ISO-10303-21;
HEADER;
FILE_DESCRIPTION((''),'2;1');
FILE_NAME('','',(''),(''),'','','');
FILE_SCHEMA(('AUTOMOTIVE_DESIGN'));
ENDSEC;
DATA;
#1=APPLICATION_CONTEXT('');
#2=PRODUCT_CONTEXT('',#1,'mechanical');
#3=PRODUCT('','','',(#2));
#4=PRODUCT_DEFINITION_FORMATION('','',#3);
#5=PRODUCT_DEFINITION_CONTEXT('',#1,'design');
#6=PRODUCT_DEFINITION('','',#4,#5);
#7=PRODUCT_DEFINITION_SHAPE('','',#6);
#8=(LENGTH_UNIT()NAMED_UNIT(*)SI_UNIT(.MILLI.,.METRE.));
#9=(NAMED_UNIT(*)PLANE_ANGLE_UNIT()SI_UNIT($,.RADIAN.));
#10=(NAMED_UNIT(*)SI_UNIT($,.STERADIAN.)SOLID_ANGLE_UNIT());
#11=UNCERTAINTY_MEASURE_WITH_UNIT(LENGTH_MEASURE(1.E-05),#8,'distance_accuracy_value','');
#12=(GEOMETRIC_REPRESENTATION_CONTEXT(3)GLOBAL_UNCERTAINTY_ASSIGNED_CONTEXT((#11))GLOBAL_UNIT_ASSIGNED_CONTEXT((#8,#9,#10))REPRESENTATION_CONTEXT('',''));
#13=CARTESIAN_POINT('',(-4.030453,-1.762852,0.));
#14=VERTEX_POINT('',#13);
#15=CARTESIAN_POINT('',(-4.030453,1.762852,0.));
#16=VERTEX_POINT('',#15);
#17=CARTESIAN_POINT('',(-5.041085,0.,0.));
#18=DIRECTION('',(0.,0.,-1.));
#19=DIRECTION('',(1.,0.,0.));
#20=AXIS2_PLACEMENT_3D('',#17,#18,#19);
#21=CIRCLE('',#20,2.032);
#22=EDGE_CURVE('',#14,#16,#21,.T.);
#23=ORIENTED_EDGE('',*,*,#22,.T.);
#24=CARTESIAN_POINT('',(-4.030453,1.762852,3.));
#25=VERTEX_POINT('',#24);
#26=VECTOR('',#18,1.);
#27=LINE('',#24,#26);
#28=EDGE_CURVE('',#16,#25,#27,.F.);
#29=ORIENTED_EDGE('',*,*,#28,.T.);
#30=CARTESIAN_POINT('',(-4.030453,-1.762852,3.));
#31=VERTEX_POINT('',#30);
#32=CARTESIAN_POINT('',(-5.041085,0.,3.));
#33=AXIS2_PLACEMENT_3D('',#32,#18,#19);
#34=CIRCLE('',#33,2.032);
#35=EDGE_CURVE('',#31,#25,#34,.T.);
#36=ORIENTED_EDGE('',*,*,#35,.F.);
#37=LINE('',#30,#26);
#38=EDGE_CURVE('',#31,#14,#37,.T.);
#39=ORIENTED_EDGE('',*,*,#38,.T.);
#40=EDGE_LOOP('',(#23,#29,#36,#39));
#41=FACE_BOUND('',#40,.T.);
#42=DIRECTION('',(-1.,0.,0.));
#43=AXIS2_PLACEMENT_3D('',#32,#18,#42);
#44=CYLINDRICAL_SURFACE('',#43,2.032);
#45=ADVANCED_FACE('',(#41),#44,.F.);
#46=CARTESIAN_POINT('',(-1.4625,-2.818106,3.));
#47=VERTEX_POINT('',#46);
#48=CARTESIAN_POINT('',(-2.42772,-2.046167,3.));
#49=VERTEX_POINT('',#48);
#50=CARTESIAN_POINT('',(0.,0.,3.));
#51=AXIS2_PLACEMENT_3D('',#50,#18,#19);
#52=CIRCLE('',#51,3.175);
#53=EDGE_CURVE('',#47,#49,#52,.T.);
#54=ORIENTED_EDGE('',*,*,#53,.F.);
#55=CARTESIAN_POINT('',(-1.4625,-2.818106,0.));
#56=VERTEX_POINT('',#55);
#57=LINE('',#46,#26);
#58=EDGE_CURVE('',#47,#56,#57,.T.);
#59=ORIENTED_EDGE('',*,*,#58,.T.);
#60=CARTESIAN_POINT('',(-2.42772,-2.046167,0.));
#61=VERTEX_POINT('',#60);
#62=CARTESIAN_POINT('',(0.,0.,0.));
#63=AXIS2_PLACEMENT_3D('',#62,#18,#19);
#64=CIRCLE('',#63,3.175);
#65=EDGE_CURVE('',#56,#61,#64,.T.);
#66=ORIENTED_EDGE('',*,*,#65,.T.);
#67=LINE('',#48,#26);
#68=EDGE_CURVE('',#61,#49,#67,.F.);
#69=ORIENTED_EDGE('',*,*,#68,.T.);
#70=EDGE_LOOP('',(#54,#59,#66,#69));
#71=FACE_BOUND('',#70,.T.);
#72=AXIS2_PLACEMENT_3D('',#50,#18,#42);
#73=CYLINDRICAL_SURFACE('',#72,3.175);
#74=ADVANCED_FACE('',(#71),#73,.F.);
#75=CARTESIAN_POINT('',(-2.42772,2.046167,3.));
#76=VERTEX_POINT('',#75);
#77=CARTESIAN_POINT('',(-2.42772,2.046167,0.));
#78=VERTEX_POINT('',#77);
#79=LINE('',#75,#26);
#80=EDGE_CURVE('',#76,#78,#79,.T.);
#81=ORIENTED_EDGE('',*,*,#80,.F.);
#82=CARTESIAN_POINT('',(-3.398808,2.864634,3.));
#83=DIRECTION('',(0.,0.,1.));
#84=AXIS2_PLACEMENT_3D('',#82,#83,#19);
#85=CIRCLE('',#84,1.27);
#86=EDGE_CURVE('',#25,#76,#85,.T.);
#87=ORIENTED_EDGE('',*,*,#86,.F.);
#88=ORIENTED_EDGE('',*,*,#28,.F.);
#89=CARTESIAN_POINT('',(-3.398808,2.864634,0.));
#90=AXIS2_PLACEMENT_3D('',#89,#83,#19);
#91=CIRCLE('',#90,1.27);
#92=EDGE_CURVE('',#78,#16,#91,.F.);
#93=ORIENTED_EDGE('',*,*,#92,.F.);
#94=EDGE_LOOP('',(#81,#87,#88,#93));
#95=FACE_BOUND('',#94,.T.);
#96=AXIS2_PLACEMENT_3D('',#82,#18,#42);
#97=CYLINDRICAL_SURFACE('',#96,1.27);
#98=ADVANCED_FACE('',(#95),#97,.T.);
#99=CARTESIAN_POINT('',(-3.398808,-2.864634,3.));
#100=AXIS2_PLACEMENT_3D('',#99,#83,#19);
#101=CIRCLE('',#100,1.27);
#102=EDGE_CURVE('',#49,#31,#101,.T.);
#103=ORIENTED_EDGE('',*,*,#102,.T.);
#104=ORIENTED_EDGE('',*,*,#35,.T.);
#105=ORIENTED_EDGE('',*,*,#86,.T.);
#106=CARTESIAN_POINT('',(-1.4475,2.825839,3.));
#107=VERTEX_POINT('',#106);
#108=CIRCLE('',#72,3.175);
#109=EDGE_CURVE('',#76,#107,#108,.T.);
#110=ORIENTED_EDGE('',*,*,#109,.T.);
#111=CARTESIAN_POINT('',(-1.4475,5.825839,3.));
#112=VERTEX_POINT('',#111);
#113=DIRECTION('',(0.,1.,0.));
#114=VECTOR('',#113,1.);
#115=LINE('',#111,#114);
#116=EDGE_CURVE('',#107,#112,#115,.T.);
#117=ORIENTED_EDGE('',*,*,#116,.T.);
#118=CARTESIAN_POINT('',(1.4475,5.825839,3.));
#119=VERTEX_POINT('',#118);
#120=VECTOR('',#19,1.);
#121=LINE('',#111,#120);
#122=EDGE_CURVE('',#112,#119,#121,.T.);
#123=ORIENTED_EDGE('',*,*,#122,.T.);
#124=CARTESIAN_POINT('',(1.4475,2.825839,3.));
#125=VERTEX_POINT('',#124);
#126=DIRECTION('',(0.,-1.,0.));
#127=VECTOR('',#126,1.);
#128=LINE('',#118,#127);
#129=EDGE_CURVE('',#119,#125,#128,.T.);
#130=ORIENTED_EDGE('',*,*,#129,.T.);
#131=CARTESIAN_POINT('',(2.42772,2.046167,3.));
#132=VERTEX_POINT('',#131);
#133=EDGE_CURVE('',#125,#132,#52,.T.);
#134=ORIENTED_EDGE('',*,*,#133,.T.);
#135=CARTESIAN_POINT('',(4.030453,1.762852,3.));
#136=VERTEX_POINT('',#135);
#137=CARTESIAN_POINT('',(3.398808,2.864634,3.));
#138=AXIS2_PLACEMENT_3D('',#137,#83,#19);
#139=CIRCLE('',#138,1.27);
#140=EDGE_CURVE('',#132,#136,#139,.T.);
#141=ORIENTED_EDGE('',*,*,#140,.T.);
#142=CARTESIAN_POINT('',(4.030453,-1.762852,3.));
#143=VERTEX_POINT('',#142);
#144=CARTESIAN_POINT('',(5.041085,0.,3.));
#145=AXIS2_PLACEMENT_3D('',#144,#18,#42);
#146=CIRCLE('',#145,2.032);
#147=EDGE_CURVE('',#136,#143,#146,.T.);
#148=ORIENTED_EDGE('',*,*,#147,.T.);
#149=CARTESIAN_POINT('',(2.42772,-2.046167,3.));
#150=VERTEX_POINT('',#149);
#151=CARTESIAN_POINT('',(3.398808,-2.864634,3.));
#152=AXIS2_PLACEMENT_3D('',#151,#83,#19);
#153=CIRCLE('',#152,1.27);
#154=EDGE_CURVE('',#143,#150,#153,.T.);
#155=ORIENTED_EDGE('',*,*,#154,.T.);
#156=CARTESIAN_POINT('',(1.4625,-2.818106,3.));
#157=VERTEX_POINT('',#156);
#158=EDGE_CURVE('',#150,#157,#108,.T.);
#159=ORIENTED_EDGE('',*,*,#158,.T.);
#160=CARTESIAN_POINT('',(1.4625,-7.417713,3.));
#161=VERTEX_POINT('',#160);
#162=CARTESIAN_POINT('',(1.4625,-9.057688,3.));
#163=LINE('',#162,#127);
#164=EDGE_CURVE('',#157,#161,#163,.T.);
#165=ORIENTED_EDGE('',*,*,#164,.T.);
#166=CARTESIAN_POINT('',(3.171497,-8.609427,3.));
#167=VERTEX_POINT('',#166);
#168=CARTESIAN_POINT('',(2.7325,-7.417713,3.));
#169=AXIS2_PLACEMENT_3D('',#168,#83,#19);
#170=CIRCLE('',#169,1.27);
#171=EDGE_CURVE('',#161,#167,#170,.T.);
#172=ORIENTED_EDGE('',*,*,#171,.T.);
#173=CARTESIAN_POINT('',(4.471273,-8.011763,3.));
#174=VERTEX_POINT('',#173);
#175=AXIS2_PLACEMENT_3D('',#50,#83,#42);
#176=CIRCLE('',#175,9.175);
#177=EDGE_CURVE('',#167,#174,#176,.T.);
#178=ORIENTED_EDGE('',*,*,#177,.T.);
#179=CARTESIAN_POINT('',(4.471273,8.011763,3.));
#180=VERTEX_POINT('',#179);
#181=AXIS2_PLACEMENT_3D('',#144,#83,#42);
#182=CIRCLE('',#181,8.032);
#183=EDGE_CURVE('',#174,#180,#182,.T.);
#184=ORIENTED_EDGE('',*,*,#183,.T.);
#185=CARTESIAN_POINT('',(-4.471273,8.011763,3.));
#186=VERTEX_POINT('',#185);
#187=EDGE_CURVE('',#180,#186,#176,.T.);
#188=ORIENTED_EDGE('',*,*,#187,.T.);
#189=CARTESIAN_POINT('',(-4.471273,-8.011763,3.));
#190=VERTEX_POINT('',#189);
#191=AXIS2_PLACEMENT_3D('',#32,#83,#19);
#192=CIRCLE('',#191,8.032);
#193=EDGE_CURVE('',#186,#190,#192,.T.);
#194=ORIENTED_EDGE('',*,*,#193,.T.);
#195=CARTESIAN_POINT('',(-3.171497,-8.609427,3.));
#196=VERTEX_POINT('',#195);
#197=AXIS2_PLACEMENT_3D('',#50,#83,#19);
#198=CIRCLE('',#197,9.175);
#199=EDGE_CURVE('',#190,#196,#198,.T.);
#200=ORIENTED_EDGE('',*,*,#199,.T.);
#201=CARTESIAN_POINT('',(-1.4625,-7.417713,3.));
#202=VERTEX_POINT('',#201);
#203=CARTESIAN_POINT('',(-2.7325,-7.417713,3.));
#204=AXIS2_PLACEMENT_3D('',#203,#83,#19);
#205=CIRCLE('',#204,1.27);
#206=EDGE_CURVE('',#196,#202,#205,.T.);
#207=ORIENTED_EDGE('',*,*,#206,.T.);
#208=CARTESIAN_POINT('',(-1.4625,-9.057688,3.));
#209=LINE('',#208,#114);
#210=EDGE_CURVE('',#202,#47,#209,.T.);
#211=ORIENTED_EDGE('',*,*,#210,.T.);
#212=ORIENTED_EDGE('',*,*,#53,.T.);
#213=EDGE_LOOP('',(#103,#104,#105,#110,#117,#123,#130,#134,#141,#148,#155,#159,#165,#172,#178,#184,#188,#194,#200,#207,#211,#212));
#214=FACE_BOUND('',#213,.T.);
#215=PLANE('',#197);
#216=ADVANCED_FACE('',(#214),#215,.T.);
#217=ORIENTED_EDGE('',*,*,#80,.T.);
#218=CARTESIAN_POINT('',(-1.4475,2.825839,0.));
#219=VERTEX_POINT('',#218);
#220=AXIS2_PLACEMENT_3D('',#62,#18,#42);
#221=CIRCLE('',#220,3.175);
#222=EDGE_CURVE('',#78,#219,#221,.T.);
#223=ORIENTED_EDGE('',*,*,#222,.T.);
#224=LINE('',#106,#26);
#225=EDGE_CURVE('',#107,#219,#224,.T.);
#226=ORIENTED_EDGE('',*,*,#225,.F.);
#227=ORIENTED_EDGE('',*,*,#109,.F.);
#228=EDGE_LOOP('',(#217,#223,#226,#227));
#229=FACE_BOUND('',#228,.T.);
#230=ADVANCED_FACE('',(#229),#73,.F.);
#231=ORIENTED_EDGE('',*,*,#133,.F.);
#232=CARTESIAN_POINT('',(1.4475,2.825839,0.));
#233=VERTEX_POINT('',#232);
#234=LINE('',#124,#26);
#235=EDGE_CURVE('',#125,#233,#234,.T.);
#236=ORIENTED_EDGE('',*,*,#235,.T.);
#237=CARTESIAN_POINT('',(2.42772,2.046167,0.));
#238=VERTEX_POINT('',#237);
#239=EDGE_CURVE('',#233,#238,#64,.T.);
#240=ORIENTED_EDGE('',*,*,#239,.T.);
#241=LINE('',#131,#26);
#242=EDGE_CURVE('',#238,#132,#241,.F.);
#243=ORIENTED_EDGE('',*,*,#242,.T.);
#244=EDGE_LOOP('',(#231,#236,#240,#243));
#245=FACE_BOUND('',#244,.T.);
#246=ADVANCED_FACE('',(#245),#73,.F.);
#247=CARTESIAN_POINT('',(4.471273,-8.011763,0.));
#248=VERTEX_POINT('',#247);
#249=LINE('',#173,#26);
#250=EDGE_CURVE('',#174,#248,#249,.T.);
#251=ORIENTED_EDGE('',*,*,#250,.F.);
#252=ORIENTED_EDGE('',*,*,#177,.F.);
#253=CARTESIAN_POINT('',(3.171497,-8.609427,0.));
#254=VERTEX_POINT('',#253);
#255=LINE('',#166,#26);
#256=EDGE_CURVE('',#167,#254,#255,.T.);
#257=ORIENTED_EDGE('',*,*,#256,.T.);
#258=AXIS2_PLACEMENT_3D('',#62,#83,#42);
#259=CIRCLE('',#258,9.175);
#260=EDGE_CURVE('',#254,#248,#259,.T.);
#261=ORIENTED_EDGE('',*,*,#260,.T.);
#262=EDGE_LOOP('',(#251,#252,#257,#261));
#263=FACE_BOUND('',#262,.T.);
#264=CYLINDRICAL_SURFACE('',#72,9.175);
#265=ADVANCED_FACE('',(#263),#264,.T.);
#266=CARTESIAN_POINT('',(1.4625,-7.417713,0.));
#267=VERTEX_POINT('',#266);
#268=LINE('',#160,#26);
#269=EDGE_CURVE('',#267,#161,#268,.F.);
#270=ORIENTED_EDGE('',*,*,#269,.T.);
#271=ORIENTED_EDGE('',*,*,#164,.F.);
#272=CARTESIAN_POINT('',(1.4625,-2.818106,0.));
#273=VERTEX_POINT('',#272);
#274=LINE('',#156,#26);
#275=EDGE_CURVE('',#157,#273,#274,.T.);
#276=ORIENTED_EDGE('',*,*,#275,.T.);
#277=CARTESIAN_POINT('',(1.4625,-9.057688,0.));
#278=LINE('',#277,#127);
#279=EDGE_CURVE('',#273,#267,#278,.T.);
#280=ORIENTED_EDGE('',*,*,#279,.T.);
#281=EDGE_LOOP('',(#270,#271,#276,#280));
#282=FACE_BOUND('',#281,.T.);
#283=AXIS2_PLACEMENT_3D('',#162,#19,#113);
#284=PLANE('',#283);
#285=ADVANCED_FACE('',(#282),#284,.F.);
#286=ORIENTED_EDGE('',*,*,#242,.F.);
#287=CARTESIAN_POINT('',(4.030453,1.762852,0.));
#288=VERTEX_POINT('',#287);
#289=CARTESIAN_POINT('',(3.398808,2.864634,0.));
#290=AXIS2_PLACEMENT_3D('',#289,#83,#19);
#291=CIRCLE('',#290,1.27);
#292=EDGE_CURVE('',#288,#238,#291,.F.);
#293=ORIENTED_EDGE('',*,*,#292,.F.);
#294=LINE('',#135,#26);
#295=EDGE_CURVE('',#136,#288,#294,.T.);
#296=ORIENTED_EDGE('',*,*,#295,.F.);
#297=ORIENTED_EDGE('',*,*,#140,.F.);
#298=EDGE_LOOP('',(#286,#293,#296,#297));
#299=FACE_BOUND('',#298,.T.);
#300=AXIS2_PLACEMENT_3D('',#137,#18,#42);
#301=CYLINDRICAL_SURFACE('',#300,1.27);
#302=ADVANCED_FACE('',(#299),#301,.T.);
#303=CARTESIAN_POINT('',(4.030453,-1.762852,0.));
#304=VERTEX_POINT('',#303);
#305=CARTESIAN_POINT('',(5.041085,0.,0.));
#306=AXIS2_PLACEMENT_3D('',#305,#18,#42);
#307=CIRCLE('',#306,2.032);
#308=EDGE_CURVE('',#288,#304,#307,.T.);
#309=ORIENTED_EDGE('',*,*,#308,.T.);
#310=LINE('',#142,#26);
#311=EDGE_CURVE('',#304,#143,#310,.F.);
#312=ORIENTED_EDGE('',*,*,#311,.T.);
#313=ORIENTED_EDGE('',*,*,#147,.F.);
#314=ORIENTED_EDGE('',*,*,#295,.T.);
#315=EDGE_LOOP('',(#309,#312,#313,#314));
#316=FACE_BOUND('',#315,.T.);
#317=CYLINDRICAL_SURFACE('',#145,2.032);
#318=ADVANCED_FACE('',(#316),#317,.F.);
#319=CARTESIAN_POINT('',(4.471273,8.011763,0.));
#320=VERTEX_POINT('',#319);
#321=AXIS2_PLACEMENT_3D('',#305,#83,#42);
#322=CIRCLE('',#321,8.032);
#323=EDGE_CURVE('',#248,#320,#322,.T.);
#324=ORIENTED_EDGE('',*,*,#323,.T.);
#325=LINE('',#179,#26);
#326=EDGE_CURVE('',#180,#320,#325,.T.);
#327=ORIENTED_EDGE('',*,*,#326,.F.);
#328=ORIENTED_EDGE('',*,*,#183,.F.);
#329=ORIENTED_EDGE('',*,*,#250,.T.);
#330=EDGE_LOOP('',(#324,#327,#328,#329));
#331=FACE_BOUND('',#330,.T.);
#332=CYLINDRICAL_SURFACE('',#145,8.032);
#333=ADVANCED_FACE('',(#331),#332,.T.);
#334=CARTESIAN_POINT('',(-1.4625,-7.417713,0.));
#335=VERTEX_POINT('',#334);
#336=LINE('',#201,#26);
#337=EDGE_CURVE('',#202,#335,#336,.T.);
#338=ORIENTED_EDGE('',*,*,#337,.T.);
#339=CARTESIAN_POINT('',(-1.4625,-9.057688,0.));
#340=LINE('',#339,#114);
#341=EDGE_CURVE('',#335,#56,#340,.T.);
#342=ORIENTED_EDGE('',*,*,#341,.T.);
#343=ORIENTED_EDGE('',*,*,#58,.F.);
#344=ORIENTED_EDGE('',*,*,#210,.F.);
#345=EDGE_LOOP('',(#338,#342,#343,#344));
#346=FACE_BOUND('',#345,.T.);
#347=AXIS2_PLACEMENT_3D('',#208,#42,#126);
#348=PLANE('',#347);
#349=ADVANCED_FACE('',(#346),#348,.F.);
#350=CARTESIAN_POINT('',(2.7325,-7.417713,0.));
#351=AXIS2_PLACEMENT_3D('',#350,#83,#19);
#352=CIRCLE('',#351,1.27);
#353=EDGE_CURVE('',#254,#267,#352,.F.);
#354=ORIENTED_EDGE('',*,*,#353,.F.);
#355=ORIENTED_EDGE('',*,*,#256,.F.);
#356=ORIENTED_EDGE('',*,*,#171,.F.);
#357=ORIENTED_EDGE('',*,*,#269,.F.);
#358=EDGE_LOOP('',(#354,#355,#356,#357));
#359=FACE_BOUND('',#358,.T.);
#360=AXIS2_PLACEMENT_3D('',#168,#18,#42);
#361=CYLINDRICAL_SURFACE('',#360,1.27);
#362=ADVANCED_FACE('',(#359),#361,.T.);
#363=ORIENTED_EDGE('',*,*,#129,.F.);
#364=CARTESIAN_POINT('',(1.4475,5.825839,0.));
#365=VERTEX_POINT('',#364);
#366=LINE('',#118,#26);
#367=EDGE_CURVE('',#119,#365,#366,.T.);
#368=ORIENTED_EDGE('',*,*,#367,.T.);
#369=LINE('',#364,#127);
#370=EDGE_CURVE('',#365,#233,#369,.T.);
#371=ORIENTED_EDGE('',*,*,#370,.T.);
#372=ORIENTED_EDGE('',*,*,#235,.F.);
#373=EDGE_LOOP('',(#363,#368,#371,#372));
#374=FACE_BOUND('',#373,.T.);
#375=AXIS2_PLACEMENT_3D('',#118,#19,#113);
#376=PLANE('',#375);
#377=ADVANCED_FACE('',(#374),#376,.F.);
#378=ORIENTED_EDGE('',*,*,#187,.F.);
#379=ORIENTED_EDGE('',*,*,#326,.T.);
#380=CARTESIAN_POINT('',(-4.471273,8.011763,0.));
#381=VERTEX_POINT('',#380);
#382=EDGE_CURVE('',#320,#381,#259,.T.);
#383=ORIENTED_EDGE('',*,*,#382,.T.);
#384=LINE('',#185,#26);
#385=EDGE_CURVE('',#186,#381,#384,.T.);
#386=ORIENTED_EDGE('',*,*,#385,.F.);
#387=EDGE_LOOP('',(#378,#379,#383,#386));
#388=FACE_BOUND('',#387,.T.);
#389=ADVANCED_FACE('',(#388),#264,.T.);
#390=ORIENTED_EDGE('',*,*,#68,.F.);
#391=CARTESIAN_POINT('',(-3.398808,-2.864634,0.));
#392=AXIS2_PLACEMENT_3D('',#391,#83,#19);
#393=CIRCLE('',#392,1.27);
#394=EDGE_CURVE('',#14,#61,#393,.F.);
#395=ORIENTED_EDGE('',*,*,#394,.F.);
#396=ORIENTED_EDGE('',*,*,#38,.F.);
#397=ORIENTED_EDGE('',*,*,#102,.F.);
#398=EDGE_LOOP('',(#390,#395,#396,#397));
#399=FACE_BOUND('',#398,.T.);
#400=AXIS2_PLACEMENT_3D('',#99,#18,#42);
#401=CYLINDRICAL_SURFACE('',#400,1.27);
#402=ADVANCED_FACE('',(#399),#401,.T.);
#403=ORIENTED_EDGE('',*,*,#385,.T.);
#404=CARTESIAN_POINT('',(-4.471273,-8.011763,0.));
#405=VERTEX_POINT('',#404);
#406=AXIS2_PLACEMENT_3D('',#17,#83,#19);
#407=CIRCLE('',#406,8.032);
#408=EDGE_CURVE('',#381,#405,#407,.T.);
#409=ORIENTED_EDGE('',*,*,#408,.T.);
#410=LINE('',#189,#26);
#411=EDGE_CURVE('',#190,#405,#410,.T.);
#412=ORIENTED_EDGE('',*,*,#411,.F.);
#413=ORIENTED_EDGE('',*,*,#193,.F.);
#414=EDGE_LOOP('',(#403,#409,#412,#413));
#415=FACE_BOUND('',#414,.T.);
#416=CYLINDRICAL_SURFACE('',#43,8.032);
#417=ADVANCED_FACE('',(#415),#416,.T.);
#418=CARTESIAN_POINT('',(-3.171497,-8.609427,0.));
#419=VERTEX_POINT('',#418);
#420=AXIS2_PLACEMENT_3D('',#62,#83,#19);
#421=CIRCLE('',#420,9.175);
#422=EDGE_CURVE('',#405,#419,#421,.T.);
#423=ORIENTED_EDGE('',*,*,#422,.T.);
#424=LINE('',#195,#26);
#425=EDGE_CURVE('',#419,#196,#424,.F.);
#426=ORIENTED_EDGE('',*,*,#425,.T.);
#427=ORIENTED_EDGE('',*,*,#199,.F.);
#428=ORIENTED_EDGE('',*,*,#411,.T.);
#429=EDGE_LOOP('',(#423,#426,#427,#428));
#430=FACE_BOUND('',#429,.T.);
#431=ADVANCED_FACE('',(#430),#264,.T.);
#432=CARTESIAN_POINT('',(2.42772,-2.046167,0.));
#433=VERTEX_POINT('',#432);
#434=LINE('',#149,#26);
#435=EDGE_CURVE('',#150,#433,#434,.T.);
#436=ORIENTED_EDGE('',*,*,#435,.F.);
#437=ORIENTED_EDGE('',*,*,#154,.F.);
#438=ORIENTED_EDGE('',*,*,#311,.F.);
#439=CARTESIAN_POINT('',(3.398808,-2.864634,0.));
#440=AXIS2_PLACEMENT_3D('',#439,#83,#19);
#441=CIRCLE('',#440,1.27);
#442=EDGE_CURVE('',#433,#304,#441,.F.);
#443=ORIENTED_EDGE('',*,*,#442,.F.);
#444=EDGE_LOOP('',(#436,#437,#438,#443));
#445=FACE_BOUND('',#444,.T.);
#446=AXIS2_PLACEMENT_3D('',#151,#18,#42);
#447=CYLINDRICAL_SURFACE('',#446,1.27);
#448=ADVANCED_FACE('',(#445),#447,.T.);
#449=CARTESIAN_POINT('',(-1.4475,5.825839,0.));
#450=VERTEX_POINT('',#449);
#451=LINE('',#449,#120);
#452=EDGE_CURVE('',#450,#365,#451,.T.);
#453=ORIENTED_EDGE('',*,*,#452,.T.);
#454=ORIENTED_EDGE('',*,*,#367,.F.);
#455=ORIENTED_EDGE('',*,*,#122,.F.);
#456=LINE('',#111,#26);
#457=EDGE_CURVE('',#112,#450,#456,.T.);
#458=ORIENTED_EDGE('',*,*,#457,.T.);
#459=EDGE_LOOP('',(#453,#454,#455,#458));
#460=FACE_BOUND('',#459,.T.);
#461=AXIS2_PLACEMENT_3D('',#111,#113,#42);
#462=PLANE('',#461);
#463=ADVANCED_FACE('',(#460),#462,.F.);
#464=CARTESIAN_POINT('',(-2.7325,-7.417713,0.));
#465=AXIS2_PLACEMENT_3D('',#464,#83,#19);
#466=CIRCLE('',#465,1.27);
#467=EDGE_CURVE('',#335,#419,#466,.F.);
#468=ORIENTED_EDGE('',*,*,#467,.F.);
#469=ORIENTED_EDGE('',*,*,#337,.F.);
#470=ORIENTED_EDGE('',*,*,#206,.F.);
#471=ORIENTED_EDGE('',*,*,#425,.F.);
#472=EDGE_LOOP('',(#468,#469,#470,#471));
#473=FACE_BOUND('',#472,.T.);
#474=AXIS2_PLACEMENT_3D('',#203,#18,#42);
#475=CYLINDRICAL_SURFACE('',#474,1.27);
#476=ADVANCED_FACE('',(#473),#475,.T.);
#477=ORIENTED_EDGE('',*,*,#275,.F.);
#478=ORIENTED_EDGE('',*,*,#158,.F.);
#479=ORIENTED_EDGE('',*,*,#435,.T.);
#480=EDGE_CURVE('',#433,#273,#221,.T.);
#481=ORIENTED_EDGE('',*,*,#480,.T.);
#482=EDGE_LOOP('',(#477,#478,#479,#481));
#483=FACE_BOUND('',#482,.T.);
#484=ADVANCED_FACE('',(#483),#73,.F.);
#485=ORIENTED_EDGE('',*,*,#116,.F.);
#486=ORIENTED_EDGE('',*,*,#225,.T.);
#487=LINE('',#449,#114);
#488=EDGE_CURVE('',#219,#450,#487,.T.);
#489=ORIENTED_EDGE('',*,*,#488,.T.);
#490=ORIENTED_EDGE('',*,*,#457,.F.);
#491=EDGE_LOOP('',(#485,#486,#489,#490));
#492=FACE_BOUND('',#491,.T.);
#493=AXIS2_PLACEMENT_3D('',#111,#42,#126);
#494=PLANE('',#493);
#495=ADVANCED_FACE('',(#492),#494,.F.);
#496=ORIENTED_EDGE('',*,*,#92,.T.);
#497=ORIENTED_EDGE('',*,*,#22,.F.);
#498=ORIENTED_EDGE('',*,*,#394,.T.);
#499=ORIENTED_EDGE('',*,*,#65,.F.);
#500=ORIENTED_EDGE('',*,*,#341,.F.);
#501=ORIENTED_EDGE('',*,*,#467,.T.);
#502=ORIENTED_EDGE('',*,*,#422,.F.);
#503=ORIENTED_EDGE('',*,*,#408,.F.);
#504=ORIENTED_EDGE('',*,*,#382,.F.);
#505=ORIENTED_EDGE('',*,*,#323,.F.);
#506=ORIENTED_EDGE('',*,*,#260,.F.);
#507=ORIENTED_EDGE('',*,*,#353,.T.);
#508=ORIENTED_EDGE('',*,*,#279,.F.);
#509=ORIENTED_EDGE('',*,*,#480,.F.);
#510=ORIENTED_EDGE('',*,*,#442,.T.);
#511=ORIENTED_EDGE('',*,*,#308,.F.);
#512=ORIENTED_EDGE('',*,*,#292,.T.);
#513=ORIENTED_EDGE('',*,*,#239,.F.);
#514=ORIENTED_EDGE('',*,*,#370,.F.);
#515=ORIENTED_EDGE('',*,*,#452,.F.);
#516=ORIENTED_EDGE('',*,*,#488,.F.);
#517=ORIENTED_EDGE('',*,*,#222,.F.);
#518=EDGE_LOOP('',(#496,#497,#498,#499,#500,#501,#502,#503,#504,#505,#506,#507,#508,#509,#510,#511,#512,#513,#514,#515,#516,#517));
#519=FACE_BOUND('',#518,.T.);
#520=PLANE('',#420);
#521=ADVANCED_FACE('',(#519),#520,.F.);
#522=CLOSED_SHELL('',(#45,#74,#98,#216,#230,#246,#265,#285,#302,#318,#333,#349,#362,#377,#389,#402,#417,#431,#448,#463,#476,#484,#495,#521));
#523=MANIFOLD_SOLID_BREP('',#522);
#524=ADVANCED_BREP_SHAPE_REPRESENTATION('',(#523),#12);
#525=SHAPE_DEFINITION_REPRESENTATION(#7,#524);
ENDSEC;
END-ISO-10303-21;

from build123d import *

# Parameters (mm, degrees)
EXTRUDE_1_DEPTH = 3
FILLET_1_R      = 1.27


with BuildPart() as part:
    # 스케치1 → 보스-돌출1 (new body)
    with BuildSketch(Plane.XY):
        with BuildLine():
            Line((-1.4475, 5.825839477), (1.4475, 5.825839477))
            Line((1.4475, 5.825839477), (1.4475, 2.825839477))
            ThreePointArc((1.4475, 2.825839477), (2.528752179, 1.919905575), (3.110851973, 0.635))
            ThreePointArc((3.110851973, 0.635), (7.073084861, 0), (3.110851973, -0.635))
            ThreePointArc((3.110851973, -0.635), (2.533845793, -1.913178115), (1.4625, -2.818105525))
            Line((1.4625, -2.818105525), (1.4625, -9.057688378))
            ThreePointArc((1.4625, -9.057688378), (3.012624602, -8.666297826), (4.471273428, -8.011762536))
            ThreePointArc((4.471273428, -8.011762536), (13.073084861, 0), (4.471273428, 8.011762536))
            ThreePointArc((4.471273428, 8.011762536), (0, 9.175), (-4.471273428, 8.011762536))
            ThreePointArc((-4.471273428, 8.011762536), (-13.073084861, 0), (-4.471273428, -8.011762536))
            ThreePointArc((-4.471273428, -8.011762536), (-3.012624602, -8.666297826), (-1.4625, -9.057688378))
            Line((-1.4625, -9.057688378), (-1.4625, -2.818105525))
            ThreePointArc((-1.4625, -2.818105525), (-2.533845793, -1.913178115), (-3.110851973, -0.635))
            ThreePointArc((-3.110851973, -0.635), (-7.073084861, 0), (-3.110851973, 0.635))
            ThreePointArc((-3.110851973, 0.635), (-2.528752179, 1.919905575), (-1.4475, 2.825839477))
            Line((-1.4475, 2.825839477), (-1.4475, 5.825839477))
        make_face()
    extrude(amount=EXTRUDE_1_DEPTH)

    # 필렛1
    fillet_1_edges = [part.edges().sort_by_distance(p)[0] for p in [
        (-3.110851973, 0.635, 1.5),
        (-3.110851973, -0.635, 1.5),
        (-1.4625, -9.057688378, 1.5),
        (1.4625, -9.057688378, 1.5),
        (3.110851973, -0.635, 1.5),
        (3.110851973, 0.635, 1.5),
    ]]
    fillet(fillet_1_edges, radius=FILLET_1_R)


solid = part.part
